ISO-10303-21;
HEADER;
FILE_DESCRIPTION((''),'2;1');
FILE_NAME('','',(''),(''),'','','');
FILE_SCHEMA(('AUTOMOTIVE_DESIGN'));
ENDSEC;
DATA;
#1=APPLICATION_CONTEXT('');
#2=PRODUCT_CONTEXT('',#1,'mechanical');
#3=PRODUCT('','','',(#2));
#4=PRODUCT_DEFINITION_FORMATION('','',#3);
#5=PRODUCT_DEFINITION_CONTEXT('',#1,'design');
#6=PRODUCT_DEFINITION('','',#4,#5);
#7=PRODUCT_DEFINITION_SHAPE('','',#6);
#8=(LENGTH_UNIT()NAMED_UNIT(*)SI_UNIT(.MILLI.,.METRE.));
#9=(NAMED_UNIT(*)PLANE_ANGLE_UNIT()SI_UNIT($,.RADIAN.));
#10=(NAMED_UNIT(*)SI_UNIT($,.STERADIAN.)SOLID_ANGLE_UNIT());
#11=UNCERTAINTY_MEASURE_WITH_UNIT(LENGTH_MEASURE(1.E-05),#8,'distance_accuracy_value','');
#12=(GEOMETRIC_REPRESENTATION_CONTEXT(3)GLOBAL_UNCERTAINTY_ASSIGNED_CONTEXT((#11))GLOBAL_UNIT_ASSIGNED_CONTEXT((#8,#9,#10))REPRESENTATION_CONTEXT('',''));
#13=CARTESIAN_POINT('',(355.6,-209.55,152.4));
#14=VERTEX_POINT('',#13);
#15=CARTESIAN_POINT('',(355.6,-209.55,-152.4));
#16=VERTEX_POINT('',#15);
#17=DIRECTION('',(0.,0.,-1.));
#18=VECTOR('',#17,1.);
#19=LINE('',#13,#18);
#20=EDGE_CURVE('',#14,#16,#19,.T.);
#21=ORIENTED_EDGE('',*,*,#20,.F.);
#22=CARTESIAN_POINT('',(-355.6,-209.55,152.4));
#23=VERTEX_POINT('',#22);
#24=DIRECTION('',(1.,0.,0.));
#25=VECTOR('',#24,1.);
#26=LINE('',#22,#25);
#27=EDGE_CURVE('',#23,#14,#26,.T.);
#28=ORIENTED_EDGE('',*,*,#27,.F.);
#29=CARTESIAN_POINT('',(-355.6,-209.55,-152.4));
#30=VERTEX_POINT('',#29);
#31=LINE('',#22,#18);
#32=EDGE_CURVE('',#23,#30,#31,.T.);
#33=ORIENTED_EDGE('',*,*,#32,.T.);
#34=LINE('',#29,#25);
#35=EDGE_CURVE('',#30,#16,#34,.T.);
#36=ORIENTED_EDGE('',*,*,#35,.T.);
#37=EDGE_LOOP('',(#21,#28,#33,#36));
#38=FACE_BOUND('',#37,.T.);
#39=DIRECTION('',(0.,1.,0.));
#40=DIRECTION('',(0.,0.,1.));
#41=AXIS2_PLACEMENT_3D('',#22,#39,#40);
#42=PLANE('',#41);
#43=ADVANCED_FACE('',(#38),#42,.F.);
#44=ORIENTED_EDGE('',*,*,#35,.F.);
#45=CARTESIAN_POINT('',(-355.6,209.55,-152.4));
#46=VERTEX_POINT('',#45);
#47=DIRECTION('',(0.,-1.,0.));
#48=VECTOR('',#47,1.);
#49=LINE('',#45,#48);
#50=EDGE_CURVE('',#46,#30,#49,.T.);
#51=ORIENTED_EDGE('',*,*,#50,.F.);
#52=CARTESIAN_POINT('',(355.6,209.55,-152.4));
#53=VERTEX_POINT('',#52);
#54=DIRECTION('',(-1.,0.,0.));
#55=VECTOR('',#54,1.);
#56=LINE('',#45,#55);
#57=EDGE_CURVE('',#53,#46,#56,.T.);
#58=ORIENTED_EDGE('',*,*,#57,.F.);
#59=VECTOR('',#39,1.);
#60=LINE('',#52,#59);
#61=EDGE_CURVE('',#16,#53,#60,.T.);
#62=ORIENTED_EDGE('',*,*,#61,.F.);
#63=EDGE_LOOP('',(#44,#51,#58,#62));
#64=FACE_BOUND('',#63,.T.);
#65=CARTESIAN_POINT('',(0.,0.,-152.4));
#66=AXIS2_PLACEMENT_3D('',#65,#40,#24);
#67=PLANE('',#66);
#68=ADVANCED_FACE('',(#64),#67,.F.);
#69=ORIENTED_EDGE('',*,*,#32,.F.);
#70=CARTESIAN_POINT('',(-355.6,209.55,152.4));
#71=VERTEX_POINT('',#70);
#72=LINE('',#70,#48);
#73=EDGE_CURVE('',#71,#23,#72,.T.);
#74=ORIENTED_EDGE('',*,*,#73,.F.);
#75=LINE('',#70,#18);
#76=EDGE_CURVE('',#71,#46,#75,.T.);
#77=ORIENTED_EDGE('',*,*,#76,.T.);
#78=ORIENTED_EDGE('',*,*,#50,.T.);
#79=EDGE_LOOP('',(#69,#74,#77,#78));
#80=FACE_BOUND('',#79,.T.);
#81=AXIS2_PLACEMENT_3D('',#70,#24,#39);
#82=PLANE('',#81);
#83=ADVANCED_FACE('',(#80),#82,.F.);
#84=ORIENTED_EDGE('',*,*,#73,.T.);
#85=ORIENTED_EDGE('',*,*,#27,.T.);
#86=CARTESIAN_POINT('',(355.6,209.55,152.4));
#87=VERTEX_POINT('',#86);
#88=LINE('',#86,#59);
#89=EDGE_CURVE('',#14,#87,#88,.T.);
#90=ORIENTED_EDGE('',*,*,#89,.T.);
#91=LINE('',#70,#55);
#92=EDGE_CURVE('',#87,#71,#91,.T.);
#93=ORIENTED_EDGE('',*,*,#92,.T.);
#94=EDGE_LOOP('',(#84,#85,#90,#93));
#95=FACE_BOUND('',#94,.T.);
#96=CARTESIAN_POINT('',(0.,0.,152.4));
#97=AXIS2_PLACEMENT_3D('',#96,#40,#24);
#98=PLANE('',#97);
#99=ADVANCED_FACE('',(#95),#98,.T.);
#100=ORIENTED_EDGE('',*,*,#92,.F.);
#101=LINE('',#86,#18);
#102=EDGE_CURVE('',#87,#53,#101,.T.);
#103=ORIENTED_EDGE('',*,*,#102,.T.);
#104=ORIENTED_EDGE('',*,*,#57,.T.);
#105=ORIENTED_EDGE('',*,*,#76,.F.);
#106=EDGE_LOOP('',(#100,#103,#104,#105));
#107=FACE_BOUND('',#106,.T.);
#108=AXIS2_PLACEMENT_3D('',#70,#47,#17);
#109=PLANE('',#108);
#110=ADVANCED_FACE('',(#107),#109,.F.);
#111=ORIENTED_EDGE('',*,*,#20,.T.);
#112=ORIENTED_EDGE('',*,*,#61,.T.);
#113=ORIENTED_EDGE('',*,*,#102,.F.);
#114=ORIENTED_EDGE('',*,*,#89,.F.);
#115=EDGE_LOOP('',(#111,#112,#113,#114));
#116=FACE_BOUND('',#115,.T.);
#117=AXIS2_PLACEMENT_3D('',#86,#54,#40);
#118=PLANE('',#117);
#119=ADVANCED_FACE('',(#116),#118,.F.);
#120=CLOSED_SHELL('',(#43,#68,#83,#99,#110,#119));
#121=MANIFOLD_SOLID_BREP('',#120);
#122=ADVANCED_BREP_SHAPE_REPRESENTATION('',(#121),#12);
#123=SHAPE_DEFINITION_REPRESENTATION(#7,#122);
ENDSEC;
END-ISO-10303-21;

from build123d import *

# Parameters (mm, degrees)
SKETCH1_W           = 711.2
SKETCH1_H           = 419.1
BOSS_EXTRUDE1_DEPTH = 152.4


with BuildPart() as part:
    # Sketch1 → Boss-Extrude1 (new body, symmetric)
    with BuildSketch(Plane.XY):
        Rectangle(SKETCH1_W, SKETCH1_H)
    extrude(amount=BOSS_EXTRUDE1_DEPTH, both=True)


solid = part.part
